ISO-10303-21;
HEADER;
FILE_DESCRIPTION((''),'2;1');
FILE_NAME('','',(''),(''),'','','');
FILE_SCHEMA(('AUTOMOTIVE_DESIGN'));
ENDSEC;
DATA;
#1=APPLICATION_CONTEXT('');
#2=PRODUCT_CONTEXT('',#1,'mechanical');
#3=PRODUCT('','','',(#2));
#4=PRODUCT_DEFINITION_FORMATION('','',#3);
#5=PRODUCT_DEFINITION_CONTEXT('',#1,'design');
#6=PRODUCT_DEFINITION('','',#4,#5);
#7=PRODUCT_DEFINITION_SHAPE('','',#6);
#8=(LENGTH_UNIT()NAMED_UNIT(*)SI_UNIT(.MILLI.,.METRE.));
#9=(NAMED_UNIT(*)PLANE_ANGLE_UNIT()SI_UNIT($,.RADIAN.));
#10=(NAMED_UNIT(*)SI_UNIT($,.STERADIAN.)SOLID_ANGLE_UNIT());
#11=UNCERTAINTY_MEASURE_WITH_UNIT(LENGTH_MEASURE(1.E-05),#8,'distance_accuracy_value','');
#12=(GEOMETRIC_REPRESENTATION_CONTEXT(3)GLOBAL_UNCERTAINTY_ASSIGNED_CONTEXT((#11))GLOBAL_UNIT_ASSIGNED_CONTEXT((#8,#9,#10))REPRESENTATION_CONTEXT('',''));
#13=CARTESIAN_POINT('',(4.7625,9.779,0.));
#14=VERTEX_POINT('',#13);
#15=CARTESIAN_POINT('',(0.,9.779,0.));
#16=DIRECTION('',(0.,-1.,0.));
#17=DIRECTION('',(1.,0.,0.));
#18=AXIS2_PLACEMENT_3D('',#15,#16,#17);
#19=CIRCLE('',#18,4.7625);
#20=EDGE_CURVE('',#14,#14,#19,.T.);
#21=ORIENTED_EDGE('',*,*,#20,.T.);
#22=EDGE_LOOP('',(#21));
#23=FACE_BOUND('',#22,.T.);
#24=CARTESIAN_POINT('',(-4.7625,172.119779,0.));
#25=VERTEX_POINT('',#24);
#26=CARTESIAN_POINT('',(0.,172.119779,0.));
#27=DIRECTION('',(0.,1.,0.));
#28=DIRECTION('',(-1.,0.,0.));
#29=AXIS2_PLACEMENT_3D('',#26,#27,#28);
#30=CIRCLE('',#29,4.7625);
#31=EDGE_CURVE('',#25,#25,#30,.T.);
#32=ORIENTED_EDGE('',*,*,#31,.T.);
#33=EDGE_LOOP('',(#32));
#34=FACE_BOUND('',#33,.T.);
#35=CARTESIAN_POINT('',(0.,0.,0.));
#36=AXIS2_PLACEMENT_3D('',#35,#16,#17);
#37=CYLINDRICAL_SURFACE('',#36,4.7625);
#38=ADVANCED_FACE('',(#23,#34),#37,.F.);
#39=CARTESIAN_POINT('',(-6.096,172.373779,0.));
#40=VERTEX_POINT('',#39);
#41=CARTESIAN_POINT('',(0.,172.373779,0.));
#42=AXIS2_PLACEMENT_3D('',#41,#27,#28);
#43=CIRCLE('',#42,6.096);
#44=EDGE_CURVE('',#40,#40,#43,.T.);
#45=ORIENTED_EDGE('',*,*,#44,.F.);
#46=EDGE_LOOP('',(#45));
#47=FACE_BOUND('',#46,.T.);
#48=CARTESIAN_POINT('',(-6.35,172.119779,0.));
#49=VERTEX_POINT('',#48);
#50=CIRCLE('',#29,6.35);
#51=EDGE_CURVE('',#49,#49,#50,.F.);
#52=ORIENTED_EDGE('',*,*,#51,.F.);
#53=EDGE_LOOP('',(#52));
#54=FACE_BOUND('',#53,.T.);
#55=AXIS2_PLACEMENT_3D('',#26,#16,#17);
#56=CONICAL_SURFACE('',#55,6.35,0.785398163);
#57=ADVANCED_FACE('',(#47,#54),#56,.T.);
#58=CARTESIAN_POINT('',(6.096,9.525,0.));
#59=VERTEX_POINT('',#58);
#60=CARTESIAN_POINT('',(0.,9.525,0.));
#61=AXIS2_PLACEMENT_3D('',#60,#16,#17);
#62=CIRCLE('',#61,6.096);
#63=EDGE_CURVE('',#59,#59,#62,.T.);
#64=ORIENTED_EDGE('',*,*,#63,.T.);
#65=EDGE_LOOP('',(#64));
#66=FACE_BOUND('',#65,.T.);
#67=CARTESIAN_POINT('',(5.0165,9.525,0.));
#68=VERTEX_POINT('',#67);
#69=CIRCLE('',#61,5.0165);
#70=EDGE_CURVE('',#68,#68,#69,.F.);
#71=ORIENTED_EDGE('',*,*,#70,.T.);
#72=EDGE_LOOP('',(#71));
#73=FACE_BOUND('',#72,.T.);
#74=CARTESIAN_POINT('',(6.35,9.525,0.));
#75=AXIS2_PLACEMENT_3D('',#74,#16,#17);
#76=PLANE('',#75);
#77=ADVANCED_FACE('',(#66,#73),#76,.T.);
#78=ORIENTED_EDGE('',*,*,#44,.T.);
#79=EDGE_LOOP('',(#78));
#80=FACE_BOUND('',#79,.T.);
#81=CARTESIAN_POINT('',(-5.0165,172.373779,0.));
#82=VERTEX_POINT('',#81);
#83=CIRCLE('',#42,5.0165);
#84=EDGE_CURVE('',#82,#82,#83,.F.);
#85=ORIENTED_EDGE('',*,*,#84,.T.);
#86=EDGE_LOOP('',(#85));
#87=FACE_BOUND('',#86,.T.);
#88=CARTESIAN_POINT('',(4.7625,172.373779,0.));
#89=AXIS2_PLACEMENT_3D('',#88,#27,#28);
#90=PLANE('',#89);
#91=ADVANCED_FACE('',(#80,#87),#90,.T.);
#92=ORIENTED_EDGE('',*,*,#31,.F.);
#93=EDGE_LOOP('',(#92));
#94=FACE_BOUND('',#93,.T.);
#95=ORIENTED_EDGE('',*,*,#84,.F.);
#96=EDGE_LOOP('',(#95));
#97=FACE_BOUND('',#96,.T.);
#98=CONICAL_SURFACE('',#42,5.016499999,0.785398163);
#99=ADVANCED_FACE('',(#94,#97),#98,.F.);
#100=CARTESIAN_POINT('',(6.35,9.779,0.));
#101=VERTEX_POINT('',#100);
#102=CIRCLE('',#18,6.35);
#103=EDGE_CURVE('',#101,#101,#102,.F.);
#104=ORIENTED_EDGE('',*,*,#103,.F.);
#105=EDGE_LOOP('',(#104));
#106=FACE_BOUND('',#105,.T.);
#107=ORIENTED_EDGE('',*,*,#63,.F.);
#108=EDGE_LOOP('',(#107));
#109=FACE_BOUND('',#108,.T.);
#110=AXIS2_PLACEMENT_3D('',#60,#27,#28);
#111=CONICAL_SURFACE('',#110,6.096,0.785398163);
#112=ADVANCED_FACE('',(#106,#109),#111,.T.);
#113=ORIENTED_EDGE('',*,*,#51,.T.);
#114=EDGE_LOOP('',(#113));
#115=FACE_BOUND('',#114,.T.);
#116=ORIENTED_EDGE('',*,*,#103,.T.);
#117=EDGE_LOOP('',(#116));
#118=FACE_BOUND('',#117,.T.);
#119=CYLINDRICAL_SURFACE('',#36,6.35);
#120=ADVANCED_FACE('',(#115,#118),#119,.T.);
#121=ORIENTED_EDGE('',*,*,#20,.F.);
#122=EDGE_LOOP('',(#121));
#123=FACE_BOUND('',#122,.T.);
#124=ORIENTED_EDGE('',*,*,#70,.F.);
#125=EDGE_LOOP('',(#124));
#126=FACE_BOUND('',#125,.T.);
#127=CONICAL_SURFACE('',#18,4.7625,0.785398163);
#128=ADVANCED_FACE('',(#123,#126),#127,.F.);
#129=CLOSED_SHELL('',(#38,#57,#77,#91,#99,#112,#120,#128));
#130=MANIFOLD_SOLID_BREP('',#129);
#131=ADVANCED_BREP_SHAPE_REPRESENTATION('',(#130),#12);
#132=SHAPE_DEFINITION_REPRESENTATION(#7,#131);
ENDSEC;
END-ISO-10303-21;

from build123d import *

# Parameters (mm, degrees)
SKETCH1_W     = 1.5875
SKETCH1_H     = 162.848779076
CHAMFER1_SIZE = 0.254


with BuildPart() as part:
    # Sketch1 → Revolve1 (revolve)
    with BuildSketch(Plane.XY):
        with Locations((5.55625, 90.949389538)):
            Rectangle(SKETCH1_W, SKETCH1_H)
    revolve(axis=Axis((0, 0, 0), (0, 1, 0)))

    # Chamfer1
    chamfer1_edges = [part.edges().sort_by_distance(p)[0] for p in [
        (-6.35, 9.525, 0),
        (-6.349999999, 172.373779076, 0),
        (-4.762499999, 172.373779076, 0),
        (-4.7625, 9.525, 0),
    ]]
    chamfer(chamfer1_edges, length=CHAMFER1_SIZE)


solid = part.part
